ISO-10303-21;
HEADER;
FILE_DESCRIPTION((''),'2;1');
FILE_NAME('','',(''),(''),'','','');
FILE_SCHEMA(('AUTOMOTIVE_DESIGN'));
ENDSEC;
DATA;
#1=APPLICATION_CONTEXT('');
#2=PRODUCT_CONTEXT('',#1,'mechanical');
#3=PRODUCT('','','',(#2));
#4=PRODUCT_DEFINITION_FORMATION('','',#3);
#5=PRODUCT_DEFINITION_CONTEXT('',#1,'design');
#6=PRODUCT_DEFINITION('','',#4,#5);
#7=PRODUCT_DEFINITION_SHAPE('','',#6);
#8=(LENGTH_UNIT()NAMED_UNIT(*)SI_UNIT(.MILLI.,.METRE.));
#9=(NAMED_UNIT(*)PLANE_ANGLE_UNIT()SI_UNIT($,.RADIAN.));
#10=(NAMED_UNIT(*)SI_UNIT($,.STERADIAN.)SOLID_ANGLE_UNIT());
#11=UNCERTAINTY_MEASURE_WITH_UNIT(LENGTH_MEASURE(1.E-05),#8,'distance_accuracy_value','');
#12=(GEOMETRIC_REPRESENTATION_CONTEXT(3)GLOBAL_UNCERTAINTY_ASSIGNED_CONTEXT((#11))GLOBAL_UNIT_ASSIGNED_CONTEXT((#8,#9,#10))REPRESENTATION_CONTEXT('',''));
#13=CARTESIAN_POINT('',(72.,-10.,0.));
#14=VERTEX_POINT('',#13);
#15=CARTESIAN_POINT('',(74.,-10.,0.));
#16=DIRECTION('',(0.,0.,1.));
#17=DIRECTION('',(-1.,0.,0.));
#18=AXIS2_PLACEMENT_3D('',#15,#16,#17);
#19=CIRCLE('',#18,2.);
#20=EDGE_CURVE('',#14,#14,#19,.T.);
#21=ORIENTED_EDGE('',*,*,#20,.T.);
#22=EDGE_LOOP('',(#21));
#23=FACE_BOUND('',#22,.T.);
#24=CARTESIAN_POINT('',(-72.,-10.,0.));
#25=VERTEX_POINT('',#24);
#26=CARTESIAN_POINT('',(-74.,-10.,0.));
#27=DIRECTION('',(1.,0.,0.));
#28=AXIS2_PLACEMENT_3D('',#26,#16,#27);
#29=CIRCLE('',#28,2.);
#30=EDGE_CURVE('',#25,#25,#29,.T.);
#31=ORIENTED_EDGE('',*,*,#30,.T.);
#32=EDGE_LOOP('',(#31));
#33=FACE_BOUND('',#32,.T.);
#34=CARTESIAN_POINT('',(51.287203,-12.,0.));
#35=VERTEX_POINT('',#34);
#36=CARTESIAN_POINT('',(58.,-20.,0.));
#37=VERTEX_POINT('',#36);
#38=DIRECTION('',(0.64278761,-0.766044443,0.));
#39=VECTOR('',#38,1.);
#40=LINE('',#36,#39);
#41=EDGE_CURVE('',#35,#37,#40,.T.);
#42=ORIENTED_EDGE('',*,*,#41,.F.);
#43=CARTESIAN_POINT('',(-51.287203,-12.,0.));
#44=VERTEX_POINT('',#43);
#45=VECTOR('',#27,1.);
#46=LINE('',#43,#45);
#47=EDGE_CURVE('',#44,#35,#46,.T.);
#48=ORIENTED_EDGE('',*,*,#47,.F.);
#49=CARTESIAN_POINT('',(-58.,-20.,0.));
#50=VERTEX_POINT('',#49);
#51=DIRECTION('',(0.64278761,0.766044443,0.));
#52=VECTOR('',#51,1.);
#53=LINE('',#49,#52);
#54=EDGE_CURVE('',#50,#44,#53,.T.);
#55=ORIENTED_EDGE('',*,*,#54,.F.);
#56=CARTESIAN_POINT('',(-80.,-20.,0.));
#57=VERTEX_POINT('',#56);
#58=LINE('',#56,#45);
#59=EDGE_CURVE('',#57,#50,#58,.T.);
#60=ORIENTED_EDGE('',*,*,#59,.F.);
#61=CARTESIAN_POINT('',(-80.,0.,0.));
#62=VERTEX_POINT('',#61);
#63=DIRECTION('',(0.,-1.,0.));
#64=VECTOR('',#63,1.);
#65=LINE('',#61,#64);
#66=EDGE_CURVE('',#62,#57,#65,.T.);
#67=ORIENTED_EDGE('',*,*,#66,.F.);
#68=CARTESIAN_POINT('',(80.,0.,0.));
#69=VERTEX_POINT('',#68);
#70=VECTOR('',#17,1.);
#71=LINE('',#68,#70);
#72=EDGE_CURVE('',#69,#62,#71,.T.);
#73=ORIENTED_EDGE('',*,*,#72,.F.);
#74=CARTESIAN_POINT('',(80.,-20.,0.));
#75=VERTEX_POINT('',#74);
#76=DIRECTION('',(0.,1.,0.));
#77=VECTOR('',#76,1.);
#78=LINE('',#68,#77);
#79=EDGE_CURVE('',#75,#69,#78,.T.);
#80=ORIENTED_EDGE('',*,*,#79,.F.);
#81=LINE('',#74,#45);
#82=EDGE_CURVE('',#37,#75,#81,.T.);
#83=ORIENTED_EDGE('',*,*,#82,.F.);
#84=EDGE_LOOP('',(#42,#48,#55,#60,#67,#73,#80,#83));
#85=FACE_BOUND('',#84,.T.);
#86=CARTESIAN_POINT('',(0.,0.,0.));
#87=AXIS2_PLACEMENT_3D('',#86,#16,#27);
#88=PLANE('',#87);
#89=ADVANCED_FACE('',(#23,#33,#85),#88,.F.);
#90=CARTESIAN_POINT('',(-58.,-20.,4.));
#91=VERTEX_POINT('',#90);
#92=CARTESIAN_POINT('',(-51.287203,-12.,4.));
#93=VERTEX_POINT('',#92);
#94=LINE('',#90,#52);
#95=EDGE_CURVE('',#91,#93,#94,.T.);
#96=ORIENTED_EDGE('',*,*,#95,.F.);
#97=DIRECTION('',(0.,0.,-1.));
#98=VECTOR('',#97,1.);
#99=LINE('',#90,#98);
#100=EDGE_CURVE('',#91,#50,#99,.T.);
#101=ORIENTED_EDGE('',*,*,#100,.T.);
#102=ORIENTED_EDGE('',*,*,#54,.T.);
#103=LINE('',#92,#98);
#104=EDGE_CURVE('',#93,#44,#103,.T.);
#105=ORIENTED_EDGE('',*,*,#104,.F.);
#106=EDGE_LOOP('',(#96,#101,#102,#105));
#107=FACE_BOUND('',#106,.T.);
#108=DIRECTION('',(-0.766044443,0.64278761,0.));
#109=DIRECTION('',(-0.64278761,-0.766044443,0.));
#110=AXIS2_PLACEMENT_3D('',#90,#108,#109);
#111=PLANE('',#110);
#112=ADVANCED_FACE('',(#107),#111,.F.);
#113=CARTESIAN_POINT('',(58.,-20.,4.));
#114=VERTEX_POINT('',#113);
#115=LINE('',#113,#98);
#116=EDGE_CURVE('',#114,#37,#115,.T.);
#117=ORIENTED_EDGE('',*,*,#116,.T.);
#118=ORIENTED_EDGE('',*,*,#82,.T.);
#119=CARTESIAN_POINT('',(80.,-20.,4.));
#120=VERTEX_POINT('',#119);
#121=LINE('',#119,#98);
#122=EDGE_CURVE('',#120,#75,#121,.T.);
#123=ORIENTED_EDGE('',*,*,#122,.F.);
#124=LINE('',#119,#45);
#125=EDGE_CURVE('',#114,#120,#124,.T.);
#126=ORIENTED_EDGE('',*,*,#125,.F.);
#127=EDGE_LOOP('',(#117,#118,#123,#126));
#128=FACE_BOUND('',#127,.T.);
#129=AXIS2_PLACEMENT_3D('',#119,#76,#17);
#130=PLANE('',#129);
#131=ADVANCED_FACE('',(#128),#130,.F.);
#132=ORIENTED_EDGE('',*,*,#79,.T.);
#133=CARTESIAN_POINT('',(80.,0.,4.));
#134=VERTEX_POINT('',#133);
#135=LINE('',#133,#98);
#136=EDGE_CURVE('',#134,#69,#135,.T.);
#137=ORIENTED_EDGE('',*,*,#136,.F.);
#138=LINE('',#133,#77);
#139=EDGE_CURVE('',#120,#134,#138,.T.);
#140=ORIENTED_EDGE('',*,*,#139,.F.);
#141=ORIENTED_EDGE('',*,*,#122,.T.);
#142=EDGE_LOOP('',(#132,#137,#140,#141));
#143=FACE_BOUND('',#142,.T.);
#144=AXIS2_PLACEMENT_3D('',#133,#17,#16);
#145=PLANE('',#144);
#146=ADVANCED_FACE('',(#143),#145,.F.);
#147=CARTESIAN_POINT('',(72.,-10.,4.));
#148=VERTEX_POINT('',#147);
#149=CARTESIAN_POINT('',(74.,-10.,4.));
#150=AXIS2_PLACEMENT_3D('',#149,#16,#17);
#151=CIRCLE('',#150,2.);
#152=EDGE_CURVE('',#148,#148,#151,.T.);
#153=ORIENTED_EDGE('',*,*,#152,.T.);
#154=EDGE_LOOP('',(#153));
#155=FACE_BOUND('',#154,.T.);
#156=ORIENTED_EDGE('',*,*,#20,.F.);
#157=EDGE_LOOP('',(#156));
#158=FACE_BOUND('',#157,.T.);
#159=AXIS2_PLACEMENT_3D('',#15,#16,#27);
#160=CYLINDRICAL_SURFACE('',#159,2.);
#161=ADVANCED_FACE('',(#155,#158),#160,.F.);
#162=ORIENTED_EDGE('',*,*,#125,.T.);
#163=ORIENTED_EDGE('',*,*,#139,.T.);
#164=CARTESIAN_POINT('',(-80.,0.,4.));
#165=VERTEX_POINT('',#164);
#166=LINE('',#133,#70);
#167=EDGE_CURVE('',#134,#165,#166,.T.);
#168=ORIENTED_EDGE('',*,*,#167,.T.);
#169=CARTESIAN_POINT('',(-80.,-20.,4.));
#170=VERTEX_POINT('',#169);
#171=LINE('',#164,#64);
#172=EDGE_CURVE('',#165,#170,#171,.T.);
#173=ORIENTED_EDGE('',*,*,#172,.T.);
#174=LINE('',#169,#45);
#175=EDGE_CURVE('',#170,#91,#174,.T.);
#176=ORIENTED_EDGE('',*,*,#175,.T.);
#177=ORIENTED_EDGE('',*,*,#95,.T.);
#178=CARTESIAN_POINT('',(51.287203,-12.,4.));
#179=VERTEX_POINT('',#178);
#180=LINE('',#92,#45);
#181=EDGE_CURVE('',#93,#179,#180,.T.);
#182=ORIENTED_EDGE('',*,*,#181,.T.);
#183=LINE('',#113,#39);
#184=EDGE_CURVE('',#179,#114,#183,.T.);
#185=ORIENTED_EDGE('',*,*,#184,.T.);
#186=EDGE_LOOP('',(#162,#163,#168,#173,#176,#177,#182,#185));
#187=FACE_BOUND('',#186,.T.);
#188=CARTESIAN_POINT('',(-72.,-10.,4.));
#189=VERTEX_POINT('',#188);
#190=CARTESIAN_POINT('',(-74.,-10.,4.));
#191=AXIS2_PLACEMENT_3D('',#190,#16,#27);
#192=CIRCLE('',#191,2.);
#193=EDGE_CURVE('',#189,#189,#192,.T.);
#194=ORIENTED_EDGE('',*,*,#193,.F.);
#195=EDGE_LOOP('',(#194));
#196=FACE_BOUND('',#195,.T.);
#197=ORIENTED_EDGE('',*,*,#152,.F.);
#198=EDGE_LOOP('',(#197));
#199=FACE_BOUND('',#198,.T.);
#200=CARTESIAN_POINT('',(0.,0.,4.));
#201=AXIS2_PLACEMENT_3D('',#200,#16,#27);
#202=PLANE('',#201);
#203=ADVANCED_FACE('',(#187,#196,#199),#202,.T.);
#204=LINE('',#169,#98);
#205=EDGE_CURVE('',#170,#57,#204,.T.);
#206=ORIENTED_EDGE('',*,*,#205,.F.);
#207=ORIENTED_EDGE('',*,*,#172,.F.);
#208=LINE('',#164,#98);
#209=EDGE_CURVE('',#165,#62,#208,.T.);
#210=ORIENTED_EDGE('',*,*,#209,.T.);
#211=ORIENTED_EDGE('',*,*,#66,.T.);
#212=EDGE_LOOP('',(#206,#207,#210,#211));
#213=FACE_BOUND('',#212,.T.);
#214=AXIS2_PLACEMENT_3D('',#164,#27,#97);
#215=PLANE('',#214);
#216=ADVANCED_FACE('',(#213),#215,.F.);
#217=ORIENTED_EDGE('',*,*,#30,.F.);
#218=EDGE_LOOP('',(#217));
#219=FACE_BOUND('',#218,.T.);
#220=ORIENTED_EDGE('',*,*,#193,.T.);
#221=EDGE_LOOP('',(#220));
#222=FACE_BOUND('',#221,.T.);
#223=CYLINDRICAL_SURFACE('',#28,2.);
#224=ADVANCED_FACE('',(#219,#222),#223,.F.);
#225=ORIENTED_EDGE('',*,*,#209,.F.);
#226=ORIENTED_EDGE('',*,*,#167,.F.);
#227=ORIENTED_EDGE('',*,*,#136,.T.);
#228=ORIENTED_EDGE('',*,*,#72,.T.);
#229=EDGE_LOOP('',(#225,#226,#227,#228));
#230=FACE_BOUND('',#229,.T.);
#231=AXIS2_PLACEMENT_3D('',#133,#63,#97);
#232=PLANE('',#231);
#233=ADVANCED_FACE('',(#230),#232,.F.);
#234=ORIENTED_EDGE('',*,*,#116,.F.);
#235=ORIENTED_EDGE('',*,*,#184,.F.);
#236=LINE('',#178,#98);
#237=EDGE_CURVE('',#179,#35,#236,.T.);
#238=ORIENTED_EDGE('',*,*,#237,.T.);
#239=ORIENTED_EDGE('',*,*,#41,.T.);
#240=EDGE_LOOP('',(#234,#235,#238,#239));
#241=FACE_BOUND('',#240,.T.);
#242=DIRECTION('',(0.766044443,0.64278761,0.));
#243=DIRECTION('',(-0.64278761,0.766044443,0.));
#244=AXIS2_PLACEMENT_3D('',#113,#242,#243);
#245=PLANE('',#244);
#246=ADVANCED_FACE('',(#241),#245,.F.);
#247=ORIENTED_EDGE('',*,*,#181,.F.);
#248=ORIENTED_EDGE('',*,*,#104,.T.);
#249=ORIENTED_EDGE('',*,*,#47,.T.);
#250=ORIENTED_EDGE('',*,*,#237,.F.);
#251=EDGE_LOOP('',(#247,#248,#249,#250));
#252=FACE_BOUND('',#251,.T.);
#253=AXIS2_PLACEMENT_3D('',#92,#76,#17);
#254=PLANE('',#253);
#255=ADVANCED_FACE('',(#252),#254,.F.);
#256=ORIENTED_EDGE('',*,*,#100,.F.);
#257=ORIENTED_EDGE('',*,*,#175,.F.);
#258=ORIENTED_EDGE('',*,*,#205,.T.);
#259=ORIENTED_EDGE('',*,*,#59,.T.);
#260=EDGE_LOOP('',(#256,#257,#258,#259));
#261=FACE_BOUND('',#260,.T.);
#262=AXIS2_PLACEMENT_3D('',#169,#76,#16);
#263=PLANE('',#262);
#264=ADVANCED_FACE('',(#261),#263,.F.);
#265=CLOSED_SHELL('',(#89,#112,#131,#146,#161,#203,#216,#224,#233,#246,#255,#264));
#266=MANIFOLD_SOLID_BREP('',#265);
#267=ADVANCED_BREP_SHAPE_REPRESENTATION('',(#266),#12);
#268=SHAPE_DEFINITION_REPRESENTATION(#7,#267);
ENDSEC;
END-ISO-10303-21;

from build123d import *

# Parameters (mm, degrees)
GRUNDPLATTE_DEPTH               = 4
SKIZZE2_R                       = 2
SCHNITT_LINEAR_AUSTRAGEN1_DEPTH = 83.559069762


with BuildPart() as part:
    # Skizze1 → Grundplatte (new body)
    with BuildSketch(Plane.XY):
        Polygon((80, 0), (-80, 0), (-80, -20), (-58, -20), (-51.287202951, -12), (51.287202951, -12), (58, -20), (80, -20), align=None)
    extrude(amount=GRUNDPLATTE_DEPTH)

    # Skizze2 → Schnitt-Linear austragen1 (cut, through all)
    with BuildSketch(Plane.XY.offset(4)):
        with Locations((-74, -10)):
            Circle(SKIZZE2_R)
        with Locations(Location((74, -10, 0), (0, 0, 180))):
            Circle(SKIZZE2_R)
    extrude(amount=-SCHNITT_LINEAR_AUSTRAGEN1_DEPTH, mode=Mode.SUBTRACT)


solid = part.part
